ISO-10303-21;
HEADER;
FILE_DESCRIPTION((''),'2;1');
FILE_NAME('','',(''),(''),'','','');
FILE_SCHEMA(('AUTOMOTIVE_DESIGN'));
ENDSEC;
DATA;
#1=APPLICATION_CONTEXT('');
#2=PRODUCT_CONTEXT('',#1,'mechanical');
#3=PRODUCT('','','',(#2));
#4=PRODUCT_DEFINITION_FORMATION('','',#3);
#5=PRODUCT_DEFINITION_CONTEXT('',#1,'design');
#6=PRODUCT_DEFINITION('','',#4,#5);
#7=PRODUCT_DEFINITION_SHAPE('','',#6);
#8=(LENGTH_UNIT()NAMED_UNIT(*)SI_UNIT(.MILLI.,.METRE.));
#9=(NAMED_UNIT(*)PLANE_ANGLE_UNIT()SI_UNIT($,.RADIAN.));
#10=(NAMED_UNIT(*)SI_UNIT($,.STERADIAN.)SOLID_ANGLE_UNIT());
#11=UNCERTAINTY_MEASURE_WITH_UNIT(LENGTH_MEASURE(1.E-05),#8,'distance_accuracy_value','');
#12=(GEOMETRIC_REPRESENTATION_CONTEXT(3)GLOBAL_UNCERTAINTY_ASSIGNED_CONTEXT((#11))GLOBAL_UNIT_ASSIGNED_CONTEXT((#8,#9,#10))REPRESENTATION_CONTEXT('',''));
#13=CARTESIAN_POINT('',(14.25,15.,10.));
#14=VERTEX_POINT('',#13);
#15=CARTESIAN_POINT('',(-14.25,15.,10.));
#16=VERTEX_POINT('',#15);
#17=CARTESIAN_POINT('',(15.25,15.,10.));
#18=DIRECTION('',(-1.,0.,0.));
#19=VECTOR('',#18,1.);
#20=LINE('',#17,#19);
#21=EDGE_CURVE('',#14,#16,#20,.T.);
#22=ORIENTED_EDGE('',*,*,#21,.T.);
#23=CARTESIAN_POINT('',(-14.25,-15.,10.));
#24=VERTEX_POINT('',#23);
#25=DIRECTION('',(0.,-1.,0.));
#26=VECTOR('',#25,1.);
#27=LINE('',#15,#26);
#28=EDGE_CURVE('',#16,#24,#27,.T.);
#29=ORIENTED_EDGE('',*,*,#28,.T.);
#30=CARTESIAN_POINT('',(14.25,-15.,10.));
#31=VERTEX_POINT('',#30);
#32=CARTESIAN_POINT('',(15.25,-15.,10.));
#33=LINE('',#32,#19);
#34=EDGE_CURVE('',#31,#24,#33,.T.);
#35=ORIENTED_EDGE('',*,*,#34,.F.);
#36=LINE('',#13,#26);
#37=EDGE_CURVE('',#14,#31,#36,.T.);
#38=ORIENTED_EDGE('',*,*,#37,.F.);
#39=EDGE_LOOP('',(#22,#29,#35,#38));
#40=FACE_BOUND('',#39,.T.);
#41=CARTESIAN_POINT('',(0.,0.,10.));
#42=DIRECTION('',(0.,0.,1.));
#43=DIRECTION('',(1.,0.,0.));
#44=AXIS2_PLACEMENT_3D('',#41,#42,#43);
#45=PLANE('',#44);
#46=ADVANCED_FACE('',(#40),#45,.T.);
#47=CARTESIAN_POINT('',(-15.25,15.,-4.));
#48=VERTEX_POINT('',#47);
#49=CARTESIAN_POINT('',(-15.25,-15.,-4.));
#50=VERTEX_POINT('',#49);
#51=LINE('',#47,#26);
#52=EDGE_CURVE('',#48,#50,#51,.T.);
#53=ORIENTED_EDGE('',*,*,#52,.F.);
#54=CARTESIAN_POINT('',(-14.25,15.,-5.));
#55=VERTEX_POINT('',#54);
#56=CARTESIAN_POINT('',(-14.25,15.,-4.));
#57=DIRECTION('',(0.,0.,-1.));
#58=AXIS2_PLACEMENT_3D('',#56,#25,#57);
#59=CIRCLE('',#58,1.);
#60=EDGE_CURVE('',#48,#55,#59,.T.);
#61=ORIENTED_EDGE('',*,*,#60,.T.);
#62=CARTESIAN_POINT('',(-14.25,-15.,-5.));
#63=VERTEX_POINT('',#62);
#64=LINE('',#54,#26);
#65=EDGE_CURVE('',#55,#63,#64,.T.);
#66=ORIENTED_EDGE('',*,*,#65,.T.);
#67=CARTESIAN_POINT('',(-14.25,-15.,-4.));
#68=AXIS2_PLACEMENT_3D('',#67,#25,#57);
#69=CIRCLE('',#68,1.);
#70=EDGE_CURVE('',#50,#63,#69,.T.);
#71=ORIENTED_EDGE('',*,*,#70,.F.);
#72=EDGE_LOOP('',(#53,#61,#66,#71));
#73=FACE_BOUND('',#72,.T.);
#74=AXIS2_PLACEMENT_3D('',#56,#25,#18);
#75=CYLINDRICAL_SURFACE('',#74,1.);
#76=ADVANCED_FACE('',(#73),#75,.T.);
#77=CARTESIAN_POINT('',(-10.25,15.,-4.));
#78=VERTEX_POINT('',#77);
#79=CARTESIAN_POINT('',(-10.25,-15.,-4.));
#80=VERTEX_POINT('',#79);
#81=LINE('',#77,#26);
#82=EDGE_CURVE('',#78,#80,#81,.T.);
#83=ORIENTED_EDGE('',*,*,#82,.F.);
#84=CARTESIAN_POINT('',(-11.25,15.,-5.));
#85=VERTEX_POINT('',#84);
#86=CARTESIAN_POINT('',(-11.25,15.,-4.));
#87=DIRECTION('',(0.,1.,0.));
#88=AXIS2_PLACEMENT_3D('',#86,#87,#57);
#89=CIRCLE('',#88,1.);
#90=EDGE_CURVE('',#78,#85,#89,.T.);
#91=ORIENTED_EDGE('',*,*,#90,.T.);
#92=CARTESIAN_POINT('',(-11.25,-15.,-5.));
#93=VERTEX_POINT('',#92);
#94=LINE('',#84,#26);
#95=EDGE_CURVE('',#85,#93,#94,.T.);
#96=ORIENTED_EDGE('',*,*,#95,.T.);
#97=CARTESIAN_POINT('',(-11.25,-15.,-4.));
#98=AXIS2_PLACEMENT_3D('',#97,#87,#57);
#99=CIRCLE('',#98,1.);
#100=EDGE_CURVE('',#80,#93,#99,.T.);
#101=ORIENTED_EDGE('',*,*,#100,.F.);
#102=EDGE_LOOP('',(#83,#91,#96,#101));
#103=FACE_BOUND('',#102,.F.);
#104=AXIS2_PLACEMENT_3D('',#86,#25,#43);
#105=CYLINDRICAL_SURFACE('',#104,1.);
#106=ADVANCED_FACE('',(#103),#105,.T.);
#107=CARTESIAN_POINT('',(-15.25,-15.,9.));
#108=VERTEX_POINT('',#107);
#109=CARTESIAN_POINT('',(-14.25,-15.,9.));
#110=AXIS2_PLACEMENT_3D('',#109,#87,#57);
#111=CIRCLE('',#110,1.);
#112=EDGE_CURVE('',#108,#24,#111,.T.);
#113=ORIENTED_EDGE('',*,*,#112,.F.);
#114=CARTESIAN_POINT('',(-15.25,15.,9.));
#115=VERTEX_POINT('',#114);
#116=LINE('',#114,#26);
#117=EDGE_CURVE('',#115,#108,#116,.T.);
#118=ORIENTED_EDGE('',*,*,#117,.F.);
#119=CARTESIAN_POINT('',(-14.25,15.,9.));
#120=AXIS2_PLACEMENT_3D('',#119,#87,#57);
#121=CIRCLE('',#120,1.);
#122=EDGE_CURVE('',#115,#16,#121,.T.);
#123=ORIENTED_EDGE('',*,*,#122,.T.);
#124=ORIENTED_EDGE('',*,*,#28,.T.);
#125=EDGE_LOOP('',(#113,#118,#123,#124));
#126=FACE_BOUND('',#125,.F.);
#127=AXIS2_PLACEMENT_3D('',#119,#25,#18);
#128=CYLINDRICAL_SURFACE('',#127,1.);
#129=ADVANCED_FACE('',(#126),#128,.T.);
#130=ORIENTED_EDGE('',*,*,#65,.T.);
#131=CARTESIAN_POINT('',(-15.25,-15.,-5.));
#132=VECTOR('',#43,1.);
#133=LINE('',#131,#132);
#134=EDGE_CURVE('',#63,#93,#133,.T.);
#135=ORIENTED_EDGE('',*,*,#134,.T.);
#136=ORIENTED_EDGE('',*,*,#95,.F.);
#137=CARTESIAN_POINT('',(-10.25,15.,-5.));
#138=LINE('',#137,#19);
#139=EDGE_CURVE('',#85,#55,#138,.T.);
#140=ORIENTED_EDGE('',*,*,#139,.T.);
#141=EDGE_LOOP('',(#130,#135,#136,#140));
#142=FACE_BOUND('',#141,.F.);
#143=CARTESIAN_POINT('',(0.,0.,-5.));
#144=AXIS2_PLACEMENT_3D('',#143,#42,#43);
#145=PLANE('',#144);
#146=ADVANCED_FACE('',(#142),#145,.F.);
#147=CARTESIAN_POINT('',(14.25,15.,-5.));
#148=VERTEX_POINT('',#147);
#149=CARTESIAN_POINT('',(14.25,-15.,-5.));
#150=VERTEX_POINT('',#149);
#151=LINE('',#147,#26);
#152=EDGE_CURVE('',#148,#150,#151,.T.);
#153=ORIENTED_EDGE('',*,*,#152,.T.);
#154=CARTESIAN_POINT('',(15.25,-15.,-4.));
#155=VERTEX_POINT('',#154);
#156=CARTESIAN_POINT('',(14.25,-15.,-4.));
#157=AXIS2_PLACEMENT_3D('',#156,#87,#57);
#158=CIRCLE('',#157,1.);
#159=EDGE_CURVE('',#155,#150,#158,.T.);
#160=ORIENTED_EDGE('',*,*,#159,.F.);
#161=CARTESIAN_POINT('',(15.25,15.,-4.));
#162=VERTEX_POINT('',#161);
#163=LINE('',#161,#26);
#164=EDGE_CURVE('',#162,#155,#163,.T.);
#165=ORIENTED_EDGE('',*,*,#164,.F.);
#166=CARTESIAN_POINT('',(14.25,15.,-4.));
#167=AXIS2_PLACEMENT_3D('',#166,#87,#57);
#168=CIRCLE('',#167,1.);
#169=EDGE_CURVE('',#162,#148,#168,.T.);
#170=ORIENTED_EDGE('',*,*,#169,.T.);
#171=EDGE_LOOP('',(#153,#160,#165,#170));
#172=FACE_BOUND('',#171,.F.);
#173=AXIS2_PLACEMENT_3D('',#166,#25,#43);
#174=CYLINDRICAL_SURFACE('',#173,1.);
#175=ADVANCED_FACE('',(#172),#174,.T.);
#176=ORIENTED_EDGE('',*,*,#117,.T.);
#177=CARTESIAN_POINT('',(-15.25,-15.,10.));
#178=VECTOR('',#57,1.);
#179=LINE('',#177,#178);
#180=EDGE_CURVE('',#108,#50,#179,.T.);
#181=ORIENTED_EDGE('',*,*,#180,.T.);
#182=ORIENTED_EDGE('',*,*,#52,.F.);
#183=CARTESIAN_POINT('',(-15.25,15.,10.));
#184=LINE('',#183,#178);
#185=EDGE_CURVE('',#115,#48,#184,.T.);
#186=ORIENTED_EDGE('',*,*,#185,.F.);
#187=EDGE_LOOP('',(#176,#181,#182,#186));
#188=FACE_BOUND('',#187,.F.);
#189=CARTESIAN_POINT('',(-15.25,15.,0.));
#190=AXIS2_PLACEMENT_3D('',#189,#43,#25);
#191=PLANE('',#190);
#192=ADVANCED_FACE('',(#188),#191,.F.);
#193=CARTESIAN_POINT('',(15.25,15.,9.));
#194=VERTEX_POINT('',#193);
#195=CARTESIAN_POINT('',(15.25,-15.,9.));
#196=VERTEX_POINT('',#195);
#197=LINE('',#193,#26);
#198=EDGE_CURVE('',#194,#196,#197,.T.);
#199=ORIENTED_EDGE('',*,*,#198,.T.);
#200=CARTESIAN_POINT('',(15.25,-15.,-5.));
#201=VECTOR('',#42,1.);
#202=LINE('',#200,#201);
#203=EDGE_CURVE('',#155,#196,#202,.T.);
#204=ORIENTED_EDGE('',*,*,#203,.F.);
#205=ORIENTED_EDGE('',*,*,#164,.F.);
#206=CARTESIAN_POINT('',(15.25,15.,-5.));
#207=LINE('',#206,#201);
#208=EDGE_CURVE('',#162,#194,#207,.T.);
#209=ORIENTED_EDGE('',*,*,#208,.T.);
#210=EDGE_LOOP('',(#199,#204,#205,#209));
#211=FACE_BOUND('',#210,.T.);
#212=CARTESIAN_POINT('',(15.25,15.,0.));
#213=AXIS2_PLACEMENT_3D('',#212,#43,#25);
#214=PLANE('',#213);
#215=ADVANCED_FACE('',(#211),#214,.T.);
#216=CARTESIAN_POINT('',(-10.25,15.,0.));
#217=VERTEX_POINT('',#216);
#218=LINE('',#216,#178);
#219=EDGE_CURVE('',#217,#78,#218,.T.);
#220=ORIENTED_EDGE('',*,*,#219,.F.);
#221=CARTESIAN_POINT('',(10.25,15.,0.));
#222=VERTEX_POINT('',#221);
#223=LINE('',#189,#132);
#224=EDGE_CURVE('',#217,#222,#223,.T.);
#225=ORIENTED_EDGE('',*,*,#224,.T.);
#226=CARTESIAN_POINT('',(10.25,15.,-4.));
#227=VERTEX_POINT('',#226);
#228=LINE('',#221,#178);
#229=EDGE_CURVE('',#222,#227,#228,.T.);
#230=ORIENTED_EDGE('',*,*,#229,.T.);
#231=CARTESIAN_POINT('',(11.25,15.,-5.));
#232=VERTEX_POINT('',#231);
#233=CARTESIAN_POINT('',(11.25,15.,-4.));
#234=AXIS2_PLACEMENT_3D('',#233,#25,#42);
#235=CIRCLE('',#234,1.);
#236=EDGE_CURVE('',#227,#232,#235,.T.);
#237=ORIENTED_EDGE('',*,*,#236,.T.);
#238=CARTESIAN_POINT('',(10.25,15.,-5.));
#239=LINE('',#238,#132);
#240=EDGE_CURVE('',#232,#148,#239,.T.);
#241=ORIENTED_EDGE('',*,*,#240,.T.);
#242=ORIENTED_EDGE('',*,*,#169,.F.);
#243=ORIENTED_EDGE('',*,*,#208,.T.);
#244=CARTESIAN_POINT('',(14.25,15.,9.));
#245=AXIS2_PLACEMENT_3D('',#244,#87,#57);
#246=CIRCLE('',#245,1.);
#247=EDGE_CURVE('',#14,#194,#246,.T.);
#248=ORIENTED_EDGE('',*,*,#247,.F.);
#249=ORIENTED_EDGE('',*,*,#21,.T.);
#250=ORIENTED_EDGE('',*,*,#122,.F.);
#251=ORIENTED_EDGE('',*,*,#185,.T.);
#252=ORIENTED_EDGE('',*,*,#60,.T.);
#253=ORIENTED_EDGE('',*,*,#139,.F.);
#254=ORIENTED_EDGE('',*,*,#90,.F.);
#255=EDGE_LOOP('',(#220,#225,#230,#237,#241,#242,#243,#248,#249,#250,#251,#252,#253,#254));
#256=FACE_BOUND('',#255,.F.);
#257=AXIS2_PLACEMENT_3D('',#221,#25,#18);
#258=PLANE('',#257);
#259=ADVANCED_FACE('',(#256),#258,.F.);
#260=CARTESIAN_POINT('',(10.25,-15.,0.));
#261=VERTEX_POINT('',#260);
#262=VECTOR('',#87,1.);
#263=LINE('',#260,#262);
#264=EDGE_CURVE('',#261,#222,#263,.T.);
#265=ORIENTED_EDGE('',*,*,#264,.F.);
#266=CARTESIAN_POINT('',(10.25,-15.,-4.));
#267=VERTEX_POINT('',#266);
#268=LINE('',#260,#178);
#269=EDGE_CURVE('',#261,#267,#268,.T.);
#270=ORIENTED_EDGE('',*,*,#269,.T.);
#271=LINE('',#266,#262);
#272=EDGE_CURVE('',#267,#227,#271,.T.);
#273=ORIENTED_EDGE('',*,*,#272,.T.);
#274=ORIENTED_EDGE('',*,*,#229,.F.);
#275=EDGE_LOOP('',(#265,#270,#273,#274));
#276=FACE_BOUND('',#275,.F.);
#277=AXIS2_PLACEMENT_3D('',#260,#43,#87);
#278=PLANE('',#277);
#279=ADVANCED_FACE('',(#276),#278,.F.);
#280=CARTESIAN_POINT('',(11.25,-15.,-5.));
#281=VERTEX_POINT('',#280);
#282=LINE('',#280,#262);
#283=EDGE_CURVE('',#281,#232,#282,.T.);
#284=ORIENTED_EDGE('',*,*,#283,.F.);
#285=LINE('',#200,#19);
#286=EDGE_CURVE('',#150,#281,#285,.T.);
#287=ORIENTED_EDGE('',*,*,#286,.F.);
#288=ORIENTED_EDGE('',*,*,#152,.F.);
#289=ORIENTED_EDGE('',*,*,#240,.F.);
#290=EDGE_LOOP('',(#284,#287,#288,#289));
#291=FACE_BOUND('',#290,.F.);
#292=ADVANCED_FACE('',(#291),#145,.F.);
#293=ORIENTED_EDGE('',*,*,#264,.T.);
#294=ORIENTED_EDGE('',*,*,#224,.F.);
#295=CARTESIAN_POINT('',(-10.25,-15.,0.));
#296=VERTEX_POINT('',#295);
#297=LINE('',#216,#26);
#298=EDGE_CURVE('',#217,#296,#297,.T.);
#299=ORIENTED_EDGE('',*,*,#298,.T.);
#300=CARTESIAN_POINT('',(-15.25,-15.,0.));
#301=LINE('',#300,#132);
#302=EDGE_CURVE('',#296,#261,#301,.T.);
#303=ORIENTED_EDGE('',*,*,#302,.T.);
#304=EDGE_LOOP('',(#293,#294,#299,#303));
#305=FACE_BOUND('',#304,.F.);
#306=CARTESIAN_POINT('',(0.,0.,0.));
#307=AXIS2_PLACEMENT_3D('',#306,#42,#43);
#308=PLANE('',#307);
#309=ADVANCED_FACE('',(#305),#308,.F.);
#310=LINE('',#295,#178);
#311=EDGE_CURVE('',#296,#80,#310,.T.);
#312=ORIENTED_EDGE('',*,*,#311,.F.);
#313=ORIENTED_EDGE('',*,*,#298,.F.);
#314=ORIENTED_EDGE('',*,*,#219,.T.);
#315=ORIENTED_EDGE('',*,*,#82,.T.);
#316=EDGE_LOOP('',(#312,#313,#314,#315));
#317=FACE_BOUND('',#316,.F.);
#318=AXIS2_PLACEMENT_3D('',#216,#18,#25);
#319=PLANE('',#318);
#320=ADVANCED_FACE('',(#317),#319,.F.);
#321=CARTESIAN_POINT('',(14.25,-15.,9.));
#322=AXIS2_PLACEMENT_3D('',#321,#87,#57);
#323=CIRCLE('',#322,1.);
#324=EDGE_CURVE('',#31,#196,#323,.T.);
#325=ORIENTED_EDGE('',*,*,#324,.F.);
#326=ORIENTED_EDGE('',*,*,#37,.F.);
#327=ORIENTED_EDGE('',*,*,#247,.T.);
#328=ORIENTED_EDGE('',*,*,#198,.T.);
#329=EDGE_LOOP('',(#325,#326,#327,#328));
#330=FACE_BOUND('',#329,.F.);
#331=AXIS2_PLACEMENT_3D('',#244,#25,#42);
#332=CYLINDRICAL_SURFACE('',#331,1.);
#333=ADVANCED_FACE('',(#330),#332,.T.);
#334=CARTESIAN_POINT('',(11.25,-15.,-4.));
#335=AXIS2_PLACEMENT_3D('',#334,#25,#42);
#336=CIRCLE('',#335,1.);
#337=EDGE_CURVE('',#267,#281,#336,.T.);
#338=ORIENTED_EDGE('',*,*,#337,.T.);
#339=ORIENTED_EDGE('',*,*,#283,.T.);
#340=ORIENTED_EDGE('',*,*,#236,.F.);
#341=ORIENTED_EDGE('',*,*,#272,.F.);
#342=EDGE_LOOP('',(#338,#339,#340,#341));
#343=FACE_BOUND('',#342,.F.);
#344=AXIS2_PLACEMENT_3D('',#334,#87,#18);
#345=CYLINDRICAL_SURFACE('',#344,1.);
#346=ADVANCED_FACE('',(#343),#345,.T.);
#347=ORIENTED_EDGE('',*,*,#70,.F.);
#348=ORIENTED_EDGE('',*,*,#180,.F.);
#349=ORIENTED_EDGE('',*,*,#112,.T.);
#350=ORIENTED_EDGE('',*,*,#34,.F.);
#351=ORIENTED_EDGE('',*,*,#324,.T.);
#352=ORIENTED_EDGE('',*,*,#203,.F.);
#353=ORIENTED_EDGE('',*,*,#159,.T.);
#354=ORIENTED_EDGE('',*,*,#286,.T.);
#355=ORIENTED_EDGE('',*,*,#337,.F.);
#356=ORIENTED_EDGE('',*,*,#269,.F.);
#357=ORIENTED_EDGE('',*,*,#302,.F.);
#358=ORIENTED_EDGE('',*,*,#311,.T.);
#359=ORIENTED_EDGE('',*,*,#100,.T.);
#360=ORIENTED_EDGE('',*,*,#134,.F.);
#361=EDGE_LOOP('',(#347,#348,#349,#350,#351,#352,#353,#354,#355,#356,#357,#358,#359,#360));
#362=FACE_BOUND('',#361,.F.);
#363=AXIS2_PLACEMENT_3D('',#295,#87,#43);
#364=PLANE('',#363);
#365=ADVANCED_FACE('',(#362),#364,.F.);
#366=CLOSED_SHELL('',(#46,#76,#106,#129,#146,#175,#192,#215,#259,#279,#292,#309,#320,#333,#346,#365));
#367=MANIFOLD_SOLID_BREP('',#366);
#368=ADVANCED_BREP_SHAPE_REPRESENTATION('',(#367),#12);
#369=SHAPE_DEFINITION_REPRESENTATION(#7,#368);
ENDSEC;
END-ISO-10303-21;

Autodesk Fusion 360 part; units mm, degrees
sketch "Sketch1" plane through (0, 0, 0) normal (0, 0, 1) x (1, 0, 0)
  line L0 (10.25, 15) -> (-10.25, 15)
  line L1 (-10.25, 15) -> (-10.25, -15)
  line L2 (-10.25, -15) -> (10.25, -15)
  line L3 (10.25, -15) -> (10.25, 15)
  line L4 (10.25, 15) -> (-10.25, -15) construction
  line L5 (-10.25, 15) -> (10.25, -15) construction
  line L6 (-10.25, 15) -> (-15.25, 15)
  line L7 (-15.25, 15) -> (-15.25, -15)
  line L8 (-15.25, -15) -> (-10.25, -15)
  line L9 (-10.25, -15) -> (-10.25, 15)
  line L10 (10.25, 15) -> (15.25, 15)
  line L11 (15.25, 15) -> (15.25, -15)
  line L12 (15.25, -15) -> (10.25, -15)
  line L13 (10.25, -15) -> (10.25, 15)
  dimension "d1" = 20.5
  dimension "d2" = 30
  dimension "d3" = 5
  dimension "d4" = 30
  dimension "d5" = 5
  dimension "d6" = 30
extrude "Extrude1" add sketch "Sketch1" along normal blind 10
extrude "Extrude2" add sketch "Sketch1" against normal blind 5 contours L3 L10 L11 L12 L13 | L1 L6 L7 L8 L9
fillet "Fillet1" radius 1 6 edges at (-10.25, 0, -5) (10.25, 0, -5) (15.25, 0, -5) (-15.25, 0, -5) (-15.25, 0, 10) (15.25, 0, 10)
